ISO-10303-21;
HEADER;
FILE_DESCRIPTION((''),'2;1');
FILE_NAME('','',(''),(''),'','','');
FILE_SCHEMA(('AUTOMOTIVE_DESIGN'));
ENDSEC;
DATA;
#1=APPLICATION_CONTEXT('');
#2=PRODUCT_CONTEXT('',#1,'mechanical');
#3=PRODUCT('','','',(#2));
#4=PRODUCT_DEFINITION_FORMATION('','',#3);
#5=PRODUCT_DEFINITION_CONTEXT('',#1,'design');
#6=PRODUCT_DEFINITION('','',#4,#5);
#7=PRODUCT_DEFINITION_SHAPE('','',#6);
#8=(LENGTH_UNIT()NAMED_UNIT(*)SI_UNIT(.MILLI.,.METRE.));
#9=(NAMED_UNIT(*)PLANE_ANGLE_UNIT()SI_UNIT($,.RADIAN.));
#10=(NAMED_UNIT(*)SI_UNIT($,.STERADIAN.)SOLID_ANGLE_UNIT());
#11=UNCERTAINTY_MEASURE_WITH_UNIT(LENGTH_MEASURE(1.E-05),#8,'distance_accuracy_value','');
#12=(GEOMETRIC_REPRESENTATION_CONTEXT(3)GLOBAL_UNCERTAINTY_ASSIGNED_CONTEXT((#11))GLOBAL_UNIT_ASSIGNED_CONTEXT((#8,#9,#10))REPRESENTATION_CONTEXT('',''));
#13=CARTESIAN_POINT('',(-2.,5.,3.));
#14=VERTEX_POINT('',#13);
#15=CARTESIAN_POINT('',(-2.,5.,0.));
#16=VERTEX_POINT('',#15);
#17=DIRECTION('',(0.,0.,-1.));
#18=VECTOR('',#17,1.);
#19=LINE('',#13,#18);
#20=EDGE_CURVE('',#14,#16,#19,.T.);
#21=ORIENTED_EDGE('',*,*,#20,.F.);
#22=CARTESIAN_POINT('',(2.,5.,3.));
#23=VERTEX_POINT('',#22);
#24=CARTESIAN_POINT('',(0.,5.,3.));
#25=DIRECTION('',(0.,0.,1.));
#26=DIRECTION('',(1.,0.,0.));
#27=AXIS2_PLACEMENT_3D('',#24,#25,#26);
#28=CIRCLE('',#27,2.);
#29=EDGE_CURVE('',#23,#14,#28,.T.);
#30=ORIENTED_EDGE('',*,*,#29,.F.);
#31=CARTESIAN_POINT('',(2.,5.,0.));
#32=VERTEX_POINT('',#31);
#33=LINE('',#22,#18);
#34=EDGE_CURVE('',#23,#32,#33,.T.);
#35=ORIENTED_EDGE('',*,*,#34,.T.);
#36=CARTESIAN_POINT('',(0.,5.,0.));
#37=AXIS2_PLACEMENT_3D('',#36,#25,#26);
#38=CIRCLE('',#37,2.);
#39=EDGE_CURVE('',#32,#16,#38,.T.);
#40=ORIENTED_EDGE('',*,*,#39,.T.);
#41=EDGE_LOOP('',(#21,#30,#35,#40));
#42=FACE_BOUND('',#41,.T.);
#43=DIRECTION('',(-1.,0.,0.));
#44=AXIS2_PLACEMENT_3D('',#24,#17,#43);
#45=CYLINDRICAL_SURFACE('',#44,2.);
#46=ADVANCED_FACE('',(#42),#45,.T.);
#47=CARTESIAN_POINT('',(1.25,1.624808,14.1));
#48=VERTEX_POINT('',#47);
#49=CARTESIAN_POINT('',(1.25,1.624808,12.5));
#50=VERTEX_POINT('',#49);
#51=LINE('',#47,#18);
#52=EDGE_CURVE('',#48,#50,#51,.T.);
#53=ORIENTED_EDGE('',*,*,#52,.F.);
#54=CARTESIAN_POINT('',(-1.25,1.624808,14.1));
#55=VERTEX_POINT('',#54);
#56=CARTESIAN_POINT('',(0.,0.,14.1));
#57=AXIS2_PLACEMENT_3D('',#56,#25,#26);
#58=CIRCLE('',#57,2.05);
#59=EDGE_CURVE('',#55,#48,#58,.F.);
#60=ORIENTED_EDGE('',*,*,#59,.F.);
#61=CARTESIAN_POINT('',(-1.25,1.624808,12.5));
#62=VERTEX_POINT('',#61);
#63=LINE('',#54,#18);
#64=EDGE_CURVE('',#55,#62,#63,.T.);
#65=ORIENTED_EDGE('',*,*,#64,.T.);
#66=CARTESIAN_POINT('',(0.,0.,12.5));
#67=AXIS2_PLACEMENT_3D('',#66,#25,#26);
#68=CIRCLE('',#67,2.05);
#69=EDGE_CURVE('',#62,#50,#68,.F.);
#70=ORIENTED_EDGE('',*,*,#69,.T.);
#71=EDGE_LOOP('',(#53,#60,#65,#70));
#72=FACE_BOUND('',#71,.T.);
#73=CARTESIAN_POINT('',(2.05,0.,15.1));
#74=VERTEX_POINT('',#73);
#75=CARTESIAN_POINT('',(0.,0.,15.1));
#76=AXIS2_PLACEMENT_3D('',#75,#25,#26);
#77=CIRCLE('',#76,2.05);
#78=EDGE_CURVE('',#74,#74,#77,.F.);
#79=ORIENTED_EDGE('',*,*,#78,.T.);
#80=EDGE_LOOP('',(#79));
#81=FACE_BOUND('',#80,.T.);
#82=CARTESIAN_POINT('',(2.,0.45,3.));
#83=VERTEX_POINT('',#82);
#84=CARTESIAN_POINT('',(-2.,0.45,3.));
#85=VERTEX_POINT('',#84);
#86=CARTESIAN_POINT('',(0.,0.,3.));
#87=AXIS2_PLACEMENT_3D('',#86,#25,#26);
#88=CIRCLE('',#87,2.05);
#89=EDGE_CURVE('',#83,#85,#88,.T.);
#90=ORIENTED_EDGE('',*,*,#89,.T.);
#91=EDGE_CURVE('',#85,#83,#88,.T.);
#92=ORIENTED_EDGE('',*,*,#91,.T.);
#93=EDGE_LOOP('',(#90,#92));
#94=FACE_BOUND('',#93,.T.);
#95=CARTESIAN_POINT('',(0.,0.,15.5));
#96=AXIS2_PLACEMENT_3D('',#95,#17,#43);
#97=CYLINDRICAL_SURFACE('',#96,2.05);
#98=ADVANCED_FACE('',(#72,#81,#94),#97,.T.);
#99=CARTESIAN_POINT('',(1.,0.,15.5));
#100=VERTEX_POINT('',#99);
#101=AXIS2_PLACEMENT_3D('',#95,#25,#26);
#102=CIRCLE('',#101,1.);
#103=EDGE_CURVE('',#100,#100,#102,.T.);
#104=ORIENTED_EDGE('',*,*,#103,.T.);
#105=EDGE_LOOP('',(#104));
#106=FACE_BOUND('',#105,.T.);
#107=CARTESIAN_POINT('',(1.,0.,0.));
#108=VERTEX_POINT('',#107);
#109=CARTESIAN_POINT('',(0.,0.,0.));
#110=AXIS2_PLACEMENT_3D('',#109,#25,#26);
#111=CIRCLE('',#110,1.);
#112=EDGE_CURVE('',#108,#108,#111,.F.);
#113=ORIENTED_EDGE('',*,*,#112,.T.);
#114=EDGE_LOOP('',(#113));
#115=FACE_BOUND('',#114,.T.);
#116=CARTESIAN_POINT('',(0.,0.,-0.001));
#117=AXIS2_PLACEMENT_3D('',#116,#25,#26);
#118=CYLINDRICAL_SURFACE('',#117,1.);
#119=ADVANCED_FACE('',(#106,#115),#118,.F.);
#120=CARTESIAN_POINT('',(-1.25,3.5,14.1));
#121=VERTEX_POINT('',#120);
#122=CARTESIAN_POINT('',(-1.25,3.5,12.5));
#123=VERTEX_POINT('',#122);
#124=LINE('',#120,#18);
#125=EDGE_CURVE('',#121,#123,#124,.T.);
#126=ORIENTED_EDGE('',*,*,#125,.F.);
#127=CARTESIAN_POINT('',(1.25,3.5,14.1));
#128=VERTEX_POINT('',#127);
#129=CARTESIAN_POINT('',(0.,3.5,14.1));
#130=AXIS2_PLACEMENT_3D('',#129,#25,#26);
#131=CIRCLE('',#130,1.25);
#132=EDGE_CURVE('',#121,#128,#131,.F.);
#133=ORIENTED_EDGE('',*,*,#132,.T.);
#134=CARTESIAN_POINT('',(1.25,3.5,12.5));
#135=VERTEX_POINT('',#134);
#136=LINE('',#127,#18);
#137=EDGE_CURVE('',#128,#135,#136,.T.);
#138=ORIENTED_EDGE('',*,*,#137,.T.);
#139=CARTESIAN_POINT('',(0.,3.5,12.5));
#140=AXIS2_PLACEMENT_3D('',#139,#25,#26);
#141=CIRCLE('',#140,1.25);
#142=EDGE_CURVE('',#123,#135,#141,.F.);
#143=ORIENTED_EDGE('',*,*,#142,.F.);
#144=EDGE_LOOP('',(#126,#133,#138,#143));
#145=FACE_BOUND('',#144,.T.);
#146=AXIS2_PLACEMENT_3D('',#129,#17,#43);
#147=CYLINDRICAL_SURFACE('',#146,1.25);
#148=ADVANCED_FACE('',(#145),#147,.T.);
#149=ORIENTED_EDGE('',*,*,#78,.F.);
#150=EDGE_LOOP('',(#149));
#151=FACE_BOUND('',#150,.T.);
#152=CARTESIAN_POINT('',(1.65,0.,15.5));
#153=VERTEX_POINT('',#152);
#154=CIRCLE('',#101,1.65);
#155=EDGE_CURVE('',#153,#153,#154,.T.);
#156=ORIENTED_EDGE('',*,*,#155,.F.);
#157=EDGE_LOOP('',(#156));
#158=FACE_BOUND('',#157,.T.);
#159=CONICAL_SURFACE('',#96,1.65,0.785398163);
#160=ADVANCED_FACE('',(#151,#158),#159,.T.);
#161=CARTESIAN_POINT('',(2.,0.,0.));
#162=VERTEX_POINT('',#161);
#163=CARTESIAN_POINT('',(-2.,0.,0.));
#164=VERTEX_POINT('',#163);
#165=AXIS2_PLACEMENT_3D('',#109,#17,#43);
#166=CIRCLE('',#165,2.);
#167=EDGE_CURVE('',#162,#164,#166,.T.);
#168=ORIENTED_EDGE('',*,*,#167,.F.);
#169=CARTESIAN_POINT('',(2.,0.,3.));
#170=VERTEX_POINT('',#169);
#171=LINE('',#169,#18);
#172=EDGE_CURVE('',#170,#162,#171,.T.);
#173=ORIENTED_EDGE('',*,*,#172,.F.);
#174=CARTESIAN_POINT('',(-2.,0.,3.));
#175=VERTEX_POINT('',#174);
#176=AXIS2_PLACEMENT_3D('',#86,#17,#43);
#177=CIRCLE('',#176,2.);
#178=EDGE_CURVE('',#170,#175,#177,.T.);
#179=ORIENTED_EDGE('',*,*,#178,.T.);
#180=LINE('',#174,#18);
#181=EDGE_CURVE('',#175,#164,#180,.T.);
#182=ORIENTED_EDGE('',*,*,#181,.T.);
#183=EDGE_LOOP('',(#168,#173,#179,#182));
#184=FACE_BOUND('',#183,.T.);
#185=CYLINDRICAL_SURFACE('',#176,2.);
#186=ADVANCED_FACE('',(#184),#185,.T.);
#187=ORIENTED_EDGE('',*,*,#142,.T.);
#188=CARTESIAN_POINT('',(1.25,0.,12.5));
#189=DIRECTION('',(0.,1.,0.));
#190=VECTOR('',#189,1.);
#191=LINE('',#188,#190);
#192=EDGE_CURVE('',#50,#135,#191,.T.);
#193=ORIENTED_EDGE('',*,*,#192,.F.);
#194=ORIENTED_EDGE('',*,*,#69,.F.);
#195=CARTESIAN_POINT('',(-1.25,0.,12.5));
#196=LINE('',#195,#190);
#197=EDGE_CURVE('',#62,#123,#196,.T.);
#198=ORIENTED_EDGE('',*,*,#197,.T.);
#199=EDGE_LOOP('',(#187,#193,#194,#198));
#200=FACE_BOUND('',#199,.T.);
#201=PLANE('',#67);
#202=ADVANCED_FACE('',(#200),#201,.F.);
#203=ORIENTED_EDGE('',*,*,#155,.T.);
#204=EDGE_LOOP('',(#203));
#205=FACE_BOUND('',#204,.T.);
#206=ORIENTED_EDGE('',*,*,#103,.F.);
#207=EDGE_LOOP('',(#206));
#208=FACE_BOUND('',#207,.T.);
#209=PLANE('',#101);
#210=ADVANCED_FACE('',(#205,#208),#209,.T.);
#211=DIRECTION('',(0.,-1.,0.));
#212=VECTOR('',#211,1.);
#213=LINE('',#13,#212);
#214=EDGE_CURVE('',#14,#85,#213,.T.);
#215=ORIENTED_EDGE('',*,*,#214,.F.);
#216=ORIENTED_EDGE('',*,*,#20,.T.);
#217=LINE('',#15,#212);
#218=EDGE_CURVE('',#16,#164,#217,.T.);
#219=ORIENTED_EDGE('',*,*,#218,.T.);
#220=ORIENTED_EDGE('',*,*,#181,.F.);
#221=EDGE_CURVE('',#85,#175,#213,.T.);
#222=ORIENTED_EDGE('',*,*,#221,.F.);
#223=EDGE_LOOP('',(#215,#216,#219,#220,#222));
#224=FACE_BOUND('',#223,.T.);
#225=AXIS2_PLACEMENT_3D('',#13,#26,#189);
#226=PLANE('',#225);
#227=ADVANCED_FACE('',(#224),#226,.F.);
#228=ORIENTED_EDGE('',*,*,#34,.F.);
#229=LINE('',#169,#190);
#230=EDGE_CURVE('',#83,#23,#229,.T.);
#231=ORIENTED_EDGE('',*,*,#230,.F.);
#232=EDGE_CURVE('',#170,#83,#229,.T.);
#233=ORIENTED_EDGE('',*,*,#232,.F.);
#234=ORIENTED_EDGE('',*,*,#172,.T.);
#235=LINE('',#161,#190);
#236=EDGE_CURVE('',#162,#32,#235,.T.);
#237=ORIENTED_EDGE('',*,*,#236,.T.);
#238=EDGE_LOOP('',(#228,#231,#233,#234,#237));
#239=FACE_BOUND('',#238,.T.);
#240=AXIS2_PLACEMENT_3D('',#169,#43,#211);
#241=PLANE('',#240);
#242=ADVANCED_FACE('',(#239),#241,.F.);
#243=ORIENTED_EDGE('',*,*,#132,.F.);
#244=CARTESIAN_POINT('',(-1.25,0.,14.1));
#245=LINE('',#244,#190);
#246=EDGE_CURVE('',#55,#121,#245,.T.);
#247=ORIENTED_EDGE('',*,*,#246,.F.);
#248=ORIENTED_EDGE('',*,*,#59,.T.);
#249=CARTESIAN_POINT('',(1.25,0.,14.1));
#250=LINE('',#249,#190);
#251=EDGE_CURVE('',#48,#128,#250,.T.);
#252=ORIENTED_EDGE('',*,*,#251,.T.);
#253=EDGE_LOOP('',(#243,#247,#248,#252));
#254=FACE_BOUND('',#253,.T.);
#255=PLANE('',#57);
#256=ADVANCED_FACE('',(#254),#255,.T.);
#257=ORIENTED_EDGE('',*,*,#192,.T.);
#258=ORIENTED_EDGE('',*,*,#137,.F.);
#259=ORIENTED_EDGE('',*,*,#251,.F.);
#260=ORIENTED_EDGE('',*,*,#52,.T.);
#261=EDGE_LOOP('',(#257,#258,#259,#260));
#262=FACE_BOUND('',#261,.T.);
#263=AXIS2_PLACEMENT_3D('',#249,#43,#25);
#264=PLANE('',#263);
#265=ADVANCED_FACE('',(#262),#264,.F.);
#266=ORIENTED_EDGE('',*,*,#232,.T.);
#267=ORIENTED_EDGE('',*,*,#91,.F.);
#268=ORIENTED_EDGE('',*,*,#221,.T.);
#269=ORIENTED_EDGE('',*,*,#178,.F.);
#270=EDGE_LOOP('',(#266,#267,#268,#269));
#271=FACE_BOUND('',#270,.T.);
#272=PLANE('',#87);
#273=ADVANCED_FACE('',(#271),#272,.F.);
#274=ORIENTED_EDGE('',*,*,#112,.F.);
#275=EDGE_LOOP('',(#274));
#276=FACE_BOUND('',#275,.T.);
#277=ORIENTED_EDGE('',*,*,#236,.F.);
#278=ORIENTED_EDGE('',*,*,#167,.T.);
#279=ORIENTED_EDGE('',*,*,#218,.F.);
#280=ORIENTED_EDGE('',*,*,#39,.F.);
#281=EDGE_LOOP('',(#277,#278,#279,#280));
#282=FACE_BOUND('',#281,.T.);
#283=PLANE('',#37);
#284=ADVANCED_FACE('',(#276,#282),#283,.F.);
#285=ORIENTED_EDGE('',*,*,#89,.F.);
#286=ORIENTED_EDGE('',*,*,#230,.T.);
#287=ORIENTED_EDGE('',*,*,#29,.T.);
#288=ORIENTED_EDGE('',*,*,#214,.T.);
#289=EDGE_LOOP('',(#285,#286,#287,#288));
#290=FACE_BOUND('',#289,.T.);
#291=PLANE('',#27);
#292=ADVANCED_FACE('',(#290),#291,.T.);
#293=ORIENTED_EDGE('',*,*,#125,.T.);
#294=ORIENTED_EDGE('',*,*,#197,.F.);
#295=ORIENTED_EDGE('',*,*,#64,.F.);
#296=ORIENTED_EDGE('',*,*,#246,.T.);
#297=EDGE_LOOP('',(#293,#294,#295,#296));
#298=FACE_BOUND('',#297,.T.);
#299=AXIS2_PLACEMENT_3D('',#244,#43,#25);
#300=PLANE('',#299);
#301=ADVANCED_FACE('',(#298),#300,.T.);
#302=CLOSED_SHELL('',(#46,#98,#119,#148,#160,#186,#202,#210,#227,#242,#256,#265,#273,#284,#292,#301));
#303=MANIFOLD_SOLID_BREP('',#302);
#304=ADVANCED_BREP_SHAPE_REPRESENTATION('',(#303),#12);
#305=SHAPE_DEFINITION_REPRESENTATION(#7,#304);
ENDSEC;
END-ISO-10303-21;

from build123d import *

# Parameters (mm, degrees)
AUFSATZ_LINEAR_AUSTRAGEN1_DEPTH = 3
SKIZZE2_R                       = 2.05
AUFSATZ_LINEAR_AUSTRAGEN2_DEPTH = 12.5
AUFSATZ_LINEAR_START            = 9.5
AUFSATZ_LINEAR_AUSTRAGEN3_DEPTH = 1.6
SCHNITT_LINEAR_AUSTRAGEN1_REACH = 19.13
SKIZZE4_R                       = 1
FASE1_SIZE                      = 0.4


with BuildPart() as part:
    # Skizze1 → Aufsatz-Linear austragen1 (new body)
    with BuildSketch(Plane.XY):
        with BuildLine():
            Line((2, 0), (2, 5))
            ThreePointArc((2, 5), (0, 7), (-2, 5))
            Line((-2, 5), (-2, 0))
            ThreePointArc((-2, 0), (0, -2), (2, 0))
        make_face()
    extrude(amount=AUFSATZ_LINEAR_AUSTRAGEN1_DEPTH)

    # Skizze2 → Aufsatz-Linear austragen2 (add)
    with BuildSketch(Plane.XY.offset(3)):
        with Locations(Location((0, 0, 0), (0, 0, 167.319616508))):
            Circle(SKIZZE2_R)
    extrude(amount=AUFSATZ_LINEAR_AUSTRAGEN2_DEPTH)

    # Skizze3 → Aufsatz-Linear austragen3 (add)
    with BuildSketch(Plane.XY.offset(3).offset(AUFSATZ_LINEAR_START)):
        with BuildLine():
            Line((-1.25, 3.5), (-1.25, 1.624807681))
            ThreePointArc((-1.25, 1.624807681), (0, 2.05), (1.25, 1.624807681))
            Line((1.25, 1.624807681), (1.25, 3.5))
            ThreePointArc((1.25, 3.5), (0, 4.75), (-1.25, 3.5))
        make_face()
    extrude(amount=AUFSATZ_LINEAR_AUSTRAGEN3_DEPTH)

    # Skizze4 → Schnitt-Linear austragen1 (cut, up to next)
    with BuildSketch(Plane.XY.offset(15.5), mode=Mode.PRIVATE) as schnitt_linear_austragen1_sk1:
        Circle(SKIZZE4_R)
    schnitt_linear_austragen1_tool1 = extrude(schnitt_linear_austragen1_sk1.sketch, amount=-SCHNITT_LINEAR_AUSTRAGEN1_REACH, mode=Mode.PRIVATE) & part.part
    add(schnitt_linear_austragen1_tool1.solids().sort_by_distance((0, 0, 15.5))[0], mode=Mode.SUBTRACT)

    # Fase1
    fase1_edges = [part.edges().sort_by_distance(p)[0] for p in [
        (2, -0.45, 15.5),
    ]]
    chamfer(fase1_edges, length=FASE1_SIZE)


solid = part.part
